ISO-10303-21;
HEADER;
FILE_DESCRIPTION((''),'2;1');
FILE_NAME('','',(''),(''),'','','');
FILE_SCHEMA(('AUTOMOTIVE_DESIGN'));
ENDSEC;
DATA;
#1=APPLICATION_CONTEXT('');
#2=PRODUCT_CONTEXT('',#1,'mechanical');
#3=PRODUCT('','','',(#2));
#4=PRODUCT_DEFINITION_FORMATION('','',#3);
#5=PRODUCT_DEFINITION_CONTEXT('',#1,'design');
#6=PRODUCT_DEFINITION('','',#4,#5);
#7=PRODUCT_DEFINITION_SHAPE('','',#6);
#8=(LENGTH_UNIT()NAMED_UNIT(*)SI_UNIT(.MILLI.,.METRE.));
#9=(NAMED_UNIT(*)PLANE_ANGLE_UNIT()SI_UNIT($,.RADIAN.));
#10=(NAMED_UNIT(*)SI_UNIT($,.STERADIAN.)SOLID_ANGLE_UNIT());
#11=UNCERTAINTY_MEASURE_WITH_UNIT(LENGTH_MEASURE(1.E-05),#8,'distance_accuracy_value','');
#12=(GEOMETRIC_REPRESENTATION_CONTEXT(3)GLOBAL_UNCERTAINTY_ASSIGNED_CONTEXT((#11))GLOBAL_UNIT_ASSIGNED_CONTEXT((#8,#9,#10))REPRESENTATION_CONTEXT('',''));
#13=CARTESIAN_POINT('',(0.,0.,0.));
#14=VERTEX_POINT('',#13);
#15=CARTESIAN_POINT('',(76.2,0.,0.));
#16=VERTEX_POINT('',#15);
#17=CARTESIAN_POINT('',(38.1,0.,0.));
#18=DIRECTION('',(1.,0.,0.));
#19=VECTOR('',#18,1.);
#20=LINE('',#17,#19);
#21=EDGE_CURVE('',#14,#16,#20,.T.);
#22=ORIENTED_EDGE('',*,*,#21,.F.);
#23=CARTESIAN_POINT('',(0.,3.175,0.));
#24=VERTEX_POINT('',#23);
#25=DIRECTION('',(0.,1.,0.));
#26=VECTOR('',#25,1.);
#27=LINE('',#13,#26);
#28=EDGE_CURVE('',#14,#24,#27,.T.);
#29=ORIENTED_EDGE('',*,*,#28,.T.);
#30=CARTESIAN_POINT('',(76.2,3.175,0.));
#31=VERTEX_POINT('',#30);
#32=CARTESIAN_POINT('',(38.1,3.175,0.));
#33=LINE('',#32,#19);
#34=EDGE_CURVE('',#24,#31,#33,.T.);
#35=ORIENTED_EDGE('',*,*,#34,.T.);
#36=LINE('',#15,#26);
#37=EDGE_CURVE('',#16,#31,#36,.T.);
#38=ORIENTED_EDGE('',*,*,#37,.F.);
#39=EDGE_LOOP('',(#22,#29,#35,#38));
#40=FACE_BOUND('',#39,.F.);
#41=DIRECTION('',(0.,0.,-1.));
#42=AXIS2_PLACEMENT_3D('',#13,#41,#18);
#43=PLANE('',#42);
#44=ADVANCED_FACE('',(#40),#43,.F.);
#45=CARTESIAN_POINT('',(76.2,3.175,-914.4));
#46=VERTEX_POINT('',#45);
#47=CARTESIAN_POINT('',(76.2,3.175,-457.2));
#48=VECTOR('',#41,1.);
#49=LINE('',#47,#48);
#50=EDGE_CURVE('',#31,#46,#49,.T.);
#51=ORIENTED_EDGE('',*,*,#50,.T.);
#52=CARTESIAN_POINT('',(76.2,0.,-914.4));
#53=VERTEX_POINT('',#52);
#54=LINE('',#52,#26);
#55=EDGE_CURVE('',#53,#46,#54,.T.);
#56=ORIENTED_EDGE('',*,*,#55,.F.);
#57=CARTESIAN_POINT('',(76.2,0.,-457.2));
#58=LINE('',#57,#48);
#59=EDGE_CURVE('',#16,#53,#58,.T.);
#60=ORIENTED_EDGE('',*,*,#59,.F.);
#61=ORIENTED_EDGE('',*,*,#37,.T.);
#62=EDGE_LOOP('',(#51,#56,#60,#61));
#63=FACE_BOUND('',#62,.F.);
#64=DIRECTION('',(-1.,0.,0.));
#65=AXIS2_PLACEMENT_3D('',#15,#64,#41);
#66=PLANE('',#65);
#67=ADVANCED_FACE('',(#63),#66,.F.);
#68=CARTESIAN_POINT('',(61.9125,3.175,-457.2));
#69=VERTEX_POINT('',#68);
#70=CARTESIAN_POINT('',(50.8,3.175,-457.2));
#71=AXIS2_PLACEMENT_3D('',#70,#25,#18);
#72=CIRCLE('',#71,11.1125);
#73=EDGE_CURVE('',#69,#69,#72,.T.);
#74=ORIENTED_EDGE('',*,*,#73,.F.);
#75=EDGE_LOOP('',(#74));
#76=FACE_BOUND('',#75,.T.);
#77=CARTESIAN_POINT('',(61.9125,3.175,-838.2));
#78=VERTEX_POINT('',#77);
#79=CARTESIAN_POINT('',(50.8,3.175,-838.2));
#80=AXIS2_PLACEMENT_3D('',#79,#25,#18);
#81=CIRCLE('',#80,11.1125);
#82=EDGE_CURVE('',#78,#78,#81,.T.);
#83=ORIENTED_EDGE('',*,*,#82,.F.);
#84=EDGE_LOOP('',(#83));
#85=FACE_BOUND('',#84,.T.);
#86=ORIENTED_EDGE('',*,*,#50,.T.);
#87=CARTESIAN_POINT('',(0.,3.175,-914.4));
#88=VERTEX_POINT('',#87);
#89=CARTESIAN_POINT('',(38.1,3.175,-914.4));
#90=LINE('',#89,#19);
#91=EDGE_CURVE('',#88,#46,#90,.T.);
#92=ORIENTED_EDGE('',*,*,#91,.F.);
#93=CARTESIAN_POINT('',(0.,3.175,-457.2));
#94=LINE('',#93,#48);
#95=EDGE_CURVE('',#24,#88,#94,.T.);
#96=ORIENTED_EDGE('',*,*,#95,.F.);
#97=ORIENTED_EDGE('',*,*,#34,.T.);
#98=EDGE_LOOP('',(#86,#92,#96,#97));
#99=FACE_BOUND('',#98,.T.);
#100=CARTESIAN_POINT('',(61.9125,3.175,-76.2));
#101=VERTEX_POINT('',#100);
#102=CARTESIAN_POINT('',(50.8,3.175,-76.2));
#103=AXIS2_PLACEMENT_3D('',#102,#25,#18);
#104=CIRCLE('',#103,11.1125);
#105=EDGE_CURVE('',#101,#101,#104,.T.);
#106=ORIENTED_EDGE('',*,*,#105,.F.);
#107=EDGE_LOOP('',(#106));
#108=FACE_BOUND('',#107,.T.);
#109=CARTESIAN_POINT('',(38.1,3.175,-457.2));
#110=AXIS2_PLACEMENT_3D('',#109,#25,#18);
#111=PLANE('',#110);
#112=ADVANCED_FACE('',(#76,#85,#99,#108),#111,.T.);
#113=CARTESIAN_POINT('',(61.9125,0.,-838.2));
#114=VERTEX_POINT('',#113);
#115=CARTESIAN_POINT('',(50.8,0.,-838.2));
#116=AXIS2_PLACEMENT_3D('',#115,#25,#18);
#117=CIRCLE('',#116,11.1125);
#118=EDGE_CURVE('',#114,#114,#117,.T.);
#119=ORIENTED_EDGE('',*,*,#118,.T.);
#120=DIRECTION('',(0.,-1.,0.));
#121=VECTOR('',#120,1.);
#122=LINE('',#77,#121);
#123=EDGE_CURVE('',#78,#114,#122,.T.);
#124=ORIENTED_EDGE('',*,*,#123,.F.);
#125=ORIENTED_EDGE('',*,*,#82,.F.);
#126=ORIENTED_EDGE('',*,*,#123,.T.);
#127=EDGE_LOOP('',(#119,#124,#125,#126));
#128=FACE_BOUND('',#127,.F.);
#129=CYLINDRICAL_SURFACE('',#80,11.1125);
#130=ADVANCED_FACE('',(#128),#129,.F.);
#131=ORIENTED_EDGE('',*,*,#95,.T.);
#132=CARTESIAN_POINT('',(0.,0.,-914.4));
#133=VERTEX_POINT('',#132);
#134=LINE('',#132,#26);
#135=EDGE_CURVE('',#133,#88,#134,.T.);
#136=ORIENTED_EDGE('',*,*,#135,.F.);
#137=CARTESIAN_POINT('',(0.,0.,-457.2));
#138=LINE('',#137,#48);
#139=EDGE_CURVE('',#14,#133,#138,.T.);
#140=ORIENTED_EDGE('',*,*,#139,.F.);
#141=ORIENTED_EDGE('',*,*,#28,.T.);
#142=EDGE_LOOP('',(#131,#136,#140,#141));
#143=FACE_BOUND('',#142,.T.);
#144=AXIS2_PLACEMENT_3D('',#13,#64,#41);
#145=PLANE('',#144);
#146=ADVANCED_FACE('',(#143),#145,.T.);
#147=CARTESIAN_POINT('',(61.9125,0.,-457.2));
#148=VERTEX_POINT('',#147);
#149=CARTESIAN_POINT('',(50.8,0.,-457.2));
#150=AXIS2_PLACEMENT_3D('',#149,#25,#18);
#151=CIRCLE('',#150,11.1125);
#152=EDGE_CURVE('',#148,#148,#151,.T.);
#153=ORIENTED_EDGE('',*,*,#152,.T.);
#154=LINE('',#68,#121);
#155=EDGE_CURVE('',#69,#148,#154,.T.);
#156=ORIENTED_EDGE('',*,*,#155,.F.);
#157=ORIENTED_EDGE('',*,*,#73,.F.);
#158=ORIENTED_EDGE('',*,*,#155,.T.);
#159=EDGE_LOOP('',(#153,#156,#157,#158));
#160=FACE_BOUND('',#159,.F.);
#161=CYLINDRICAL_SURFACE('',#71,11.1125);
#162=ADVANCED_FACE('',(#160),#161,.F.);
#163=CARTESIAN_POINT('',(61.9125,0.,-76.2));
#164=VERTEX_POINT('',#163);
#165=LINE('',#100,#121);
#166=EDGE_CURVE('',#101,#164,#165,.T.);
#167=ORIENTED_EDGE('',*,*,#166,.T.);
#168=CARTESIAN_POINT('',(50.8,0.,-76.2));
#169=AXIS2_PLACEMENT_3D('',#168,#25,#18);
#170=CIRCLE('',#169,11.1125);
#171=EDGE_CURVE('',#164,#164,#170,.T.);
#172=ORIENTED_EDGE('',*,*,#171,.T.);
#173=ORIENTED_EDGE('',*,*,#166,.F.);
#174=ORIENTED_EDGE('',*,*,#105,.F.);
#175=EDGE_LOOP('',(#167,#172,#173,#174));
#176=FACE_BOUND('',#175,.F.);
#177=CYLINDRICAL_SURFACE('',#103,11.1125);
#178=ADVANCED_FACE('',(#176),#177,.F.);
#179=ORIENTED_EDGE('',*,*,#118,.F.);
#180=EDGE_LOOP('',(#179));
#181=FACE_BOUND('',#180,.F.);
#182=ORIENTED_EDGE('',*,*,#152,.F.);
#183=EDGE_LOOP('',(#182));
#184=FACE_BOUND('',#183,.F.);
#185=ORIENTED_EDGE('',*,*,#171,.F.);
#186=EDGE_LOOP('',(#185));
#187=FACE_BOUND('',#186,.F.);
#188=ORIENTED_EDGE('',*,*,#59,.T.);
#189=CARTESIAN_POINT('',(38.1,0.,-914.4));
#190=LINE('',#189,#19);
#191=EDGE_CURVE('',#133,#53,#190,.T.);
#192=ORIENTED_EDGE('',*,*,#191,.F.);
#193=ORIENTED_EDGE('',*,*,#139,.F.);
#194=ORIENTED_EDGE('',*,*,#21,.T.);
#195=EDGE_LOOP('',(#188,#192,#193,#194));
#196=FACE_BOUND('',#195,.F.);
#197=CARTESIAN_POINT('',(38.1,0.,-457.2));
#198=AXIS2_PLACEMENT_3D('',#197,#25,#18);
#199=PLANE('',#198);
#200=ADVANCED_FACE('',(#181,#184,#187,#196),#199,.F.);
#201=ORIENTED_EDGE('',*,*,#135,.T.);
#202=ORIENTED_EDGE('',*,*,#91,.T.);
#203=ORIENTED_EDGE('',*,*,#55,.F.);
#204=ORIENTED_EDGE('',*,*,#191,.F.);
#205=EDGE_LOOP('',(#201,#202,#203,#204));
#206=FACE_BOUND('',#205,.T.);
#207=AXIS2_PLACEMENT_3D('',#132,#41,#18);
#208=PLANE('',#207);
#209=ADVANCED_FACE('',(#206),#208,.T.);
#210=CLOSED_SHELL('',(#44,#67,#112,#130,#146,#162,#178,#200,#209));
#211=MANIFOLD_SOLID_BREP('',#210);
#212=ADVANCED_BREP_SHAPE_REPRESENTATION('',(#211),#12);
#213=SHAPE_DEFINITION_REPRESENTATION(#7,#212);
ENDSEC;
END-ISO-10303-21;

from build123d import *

# Parameters (mm, degrees)
SKETCH1_W           = 76.2
SKETCH1_H           = 914.4
BOSS_EXTRUDE1_DEPTH = 3.175
CUT_EXTRUDE1_REACH  = 5.175
SKETCH2_R           = 11.1125


with BuildPart() as part:
    # Sketch1 → Boss-Extrude1 (new body)
    with BuildSketch(Plane(origin=(0, 0, 0), x_dir=(1, 0, 0), z_dir=(0, 1, 0))):
        with Locations((38.1, 457.2)):
            Rectangle(SKETCH1_W, SKETCH1_H)
    extrude(amount=BOSS_EXTRUDE1_DEPTH)

    # Sketch2 → Cut-Extrude1 (cut, up to next)
    with BuildSketch(Plane(origin=(0, 3.175, 0), x_dir=(1, 0, 0), z_dir=(0, 1, 0)), mode=Mode.PRIVATE) as cut_extrude1_sk1:
        with Locations((50.8, 838.2)):
            Circle(SKETCH2_R)
    cut_extrude1_tool1 = extrude(cut_extrude1_sk1.sketch, amount=-CUT_EXTRUDE1_REACH, mode=Mode.PRIVATE) & part.part
    add(cut_extrude1_tool1.solids().sort_by_distance((50.8, 3.175, -838.2))[0], mode=Mode.SUBTRACT)
    # Sketch2 → Cut-Extrude1 (cut, up to next)
    with BuildSketch(Plane(origin=(0, 3.175, 0), x_dir=(1, 0, 0), z_dir=(0, 1, 0)), mode=Mode.PRIVATE) as cut_extrude1_sk2:
        with Locations((50.8, 457.2)):
            Circle(SKETCH2_R)
    cut_extrude1_tool2 = extrude(cut_extrude1_sk2.sketch, amount=-CUT_EXTRUDE1_REACH, mode=Mode.PRIVATE) & part.part
    add(cut_extrude1_tool2.solids().sort_by_distance((50.8, 3.175, -457.2))[0], mode=Mode.SUBTRACT)
    # Sketch2 → Cut-Extrude1 (cut, up to next)
    with BuildSketch(Plane(origin=(0, 3.175, 0), x_dir=(1, 0, 0), z_dir=(0, 1, 0)), mode=Mode.PRIVATE) as cut_extrude1_sk3:
        with Locations((50.8, 76.2)):
            Circle(SKETCH2_R)
    cut_extrude1_tool3 = extrude(cut_extrude1_sk3.sketch, amount=-CUT_EXTRUDE1_REACH, mode=Mode.PRIVATE) & part.part
    add(cut_extrude1_tool3.solids().sort_by_distance((50.8, 3.175, -76.2))[0], mode=Mode.SUBTRACT)


solid = part.part
